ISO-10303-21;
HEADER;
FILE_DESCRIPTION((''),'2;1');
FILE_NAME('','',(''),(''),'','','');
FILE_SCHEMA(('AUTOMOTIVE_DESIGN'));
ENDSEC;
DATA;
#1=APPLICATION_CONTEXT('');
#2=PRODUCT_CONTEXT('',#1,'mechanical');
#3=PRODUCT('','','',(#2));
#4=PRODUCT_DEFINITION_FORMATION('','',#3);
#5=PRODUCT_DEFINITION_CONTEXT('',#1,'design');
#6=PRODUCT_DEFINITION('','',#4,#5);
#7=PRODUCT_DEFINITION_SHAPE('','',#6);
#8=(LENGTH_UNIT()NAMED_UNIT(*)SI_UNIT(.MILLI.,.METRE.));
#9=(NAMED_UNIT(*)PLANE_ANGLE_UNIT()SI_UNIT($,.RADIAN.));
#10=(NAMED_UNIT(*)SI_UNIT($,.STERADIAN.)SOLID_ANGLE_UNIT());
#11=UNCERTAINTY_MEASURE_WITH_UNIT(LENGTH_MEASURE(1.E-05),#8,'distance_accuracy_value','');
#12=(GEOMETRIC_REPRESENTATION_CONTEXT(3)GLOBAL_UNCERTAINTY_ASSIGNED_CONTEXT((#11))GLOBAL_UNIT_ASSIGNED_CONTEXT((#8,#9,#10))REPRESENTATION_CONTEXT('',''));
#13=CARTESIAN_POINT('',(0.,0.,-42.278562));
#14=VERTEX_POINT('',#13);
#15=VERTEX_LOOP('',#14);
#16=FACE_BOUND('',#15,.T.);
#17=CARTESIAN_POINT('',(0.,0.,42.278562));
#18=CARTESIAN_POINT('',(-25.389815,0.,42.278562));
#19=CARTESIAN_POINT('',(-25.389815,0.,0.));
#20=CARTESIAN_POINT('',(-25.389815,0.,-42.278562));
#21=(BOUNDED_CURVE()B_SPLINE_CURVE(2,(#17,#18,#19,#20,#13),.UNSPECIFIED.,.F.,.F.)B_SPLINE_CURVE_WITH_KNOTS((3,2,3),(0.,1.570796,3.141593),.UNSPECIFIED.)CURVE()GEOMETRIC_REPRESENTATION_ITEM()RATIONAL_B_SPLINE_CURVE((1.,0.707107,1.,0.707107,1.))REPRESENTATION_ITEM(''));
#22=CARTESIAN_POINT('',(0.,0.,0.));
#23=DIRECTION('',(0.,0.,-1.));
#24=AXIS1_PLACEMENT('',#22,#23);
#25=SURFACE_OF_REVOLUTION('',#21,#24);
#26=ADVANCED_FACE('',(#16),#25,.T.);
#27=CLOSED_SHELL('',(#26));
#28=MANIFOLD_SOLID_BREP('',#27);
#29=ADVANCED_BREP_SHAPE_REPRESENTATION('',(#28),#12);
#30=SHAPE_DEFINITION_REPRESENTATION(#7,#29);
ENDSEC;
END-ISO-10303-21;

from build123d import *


with BuildPart() as f1:
    # F0 (on Front) → F1 (revolve)
    with BuildSketch(Plane.XZ):
        with BuildLine():
            Line((0, -42.278562), (0, 42.278562))
            add(Edge.make_bspline(
                [(0, 42.278562), (-25.389815, 42.278562), (-25.389815, 0), (-25.389815, -42.278562), (0, -42.278562)],
                knots=[0, 0, 0, 1.570796, 1.570796, 3.141593, 3.141593, 3.141593], degree=2, weights=[1, 0.707107, 1, 0.707107, 1]))
        make_face()
    revolve(axis=Axis((0, 0, 0), (0, 0, -1)))


solid = f1.part
